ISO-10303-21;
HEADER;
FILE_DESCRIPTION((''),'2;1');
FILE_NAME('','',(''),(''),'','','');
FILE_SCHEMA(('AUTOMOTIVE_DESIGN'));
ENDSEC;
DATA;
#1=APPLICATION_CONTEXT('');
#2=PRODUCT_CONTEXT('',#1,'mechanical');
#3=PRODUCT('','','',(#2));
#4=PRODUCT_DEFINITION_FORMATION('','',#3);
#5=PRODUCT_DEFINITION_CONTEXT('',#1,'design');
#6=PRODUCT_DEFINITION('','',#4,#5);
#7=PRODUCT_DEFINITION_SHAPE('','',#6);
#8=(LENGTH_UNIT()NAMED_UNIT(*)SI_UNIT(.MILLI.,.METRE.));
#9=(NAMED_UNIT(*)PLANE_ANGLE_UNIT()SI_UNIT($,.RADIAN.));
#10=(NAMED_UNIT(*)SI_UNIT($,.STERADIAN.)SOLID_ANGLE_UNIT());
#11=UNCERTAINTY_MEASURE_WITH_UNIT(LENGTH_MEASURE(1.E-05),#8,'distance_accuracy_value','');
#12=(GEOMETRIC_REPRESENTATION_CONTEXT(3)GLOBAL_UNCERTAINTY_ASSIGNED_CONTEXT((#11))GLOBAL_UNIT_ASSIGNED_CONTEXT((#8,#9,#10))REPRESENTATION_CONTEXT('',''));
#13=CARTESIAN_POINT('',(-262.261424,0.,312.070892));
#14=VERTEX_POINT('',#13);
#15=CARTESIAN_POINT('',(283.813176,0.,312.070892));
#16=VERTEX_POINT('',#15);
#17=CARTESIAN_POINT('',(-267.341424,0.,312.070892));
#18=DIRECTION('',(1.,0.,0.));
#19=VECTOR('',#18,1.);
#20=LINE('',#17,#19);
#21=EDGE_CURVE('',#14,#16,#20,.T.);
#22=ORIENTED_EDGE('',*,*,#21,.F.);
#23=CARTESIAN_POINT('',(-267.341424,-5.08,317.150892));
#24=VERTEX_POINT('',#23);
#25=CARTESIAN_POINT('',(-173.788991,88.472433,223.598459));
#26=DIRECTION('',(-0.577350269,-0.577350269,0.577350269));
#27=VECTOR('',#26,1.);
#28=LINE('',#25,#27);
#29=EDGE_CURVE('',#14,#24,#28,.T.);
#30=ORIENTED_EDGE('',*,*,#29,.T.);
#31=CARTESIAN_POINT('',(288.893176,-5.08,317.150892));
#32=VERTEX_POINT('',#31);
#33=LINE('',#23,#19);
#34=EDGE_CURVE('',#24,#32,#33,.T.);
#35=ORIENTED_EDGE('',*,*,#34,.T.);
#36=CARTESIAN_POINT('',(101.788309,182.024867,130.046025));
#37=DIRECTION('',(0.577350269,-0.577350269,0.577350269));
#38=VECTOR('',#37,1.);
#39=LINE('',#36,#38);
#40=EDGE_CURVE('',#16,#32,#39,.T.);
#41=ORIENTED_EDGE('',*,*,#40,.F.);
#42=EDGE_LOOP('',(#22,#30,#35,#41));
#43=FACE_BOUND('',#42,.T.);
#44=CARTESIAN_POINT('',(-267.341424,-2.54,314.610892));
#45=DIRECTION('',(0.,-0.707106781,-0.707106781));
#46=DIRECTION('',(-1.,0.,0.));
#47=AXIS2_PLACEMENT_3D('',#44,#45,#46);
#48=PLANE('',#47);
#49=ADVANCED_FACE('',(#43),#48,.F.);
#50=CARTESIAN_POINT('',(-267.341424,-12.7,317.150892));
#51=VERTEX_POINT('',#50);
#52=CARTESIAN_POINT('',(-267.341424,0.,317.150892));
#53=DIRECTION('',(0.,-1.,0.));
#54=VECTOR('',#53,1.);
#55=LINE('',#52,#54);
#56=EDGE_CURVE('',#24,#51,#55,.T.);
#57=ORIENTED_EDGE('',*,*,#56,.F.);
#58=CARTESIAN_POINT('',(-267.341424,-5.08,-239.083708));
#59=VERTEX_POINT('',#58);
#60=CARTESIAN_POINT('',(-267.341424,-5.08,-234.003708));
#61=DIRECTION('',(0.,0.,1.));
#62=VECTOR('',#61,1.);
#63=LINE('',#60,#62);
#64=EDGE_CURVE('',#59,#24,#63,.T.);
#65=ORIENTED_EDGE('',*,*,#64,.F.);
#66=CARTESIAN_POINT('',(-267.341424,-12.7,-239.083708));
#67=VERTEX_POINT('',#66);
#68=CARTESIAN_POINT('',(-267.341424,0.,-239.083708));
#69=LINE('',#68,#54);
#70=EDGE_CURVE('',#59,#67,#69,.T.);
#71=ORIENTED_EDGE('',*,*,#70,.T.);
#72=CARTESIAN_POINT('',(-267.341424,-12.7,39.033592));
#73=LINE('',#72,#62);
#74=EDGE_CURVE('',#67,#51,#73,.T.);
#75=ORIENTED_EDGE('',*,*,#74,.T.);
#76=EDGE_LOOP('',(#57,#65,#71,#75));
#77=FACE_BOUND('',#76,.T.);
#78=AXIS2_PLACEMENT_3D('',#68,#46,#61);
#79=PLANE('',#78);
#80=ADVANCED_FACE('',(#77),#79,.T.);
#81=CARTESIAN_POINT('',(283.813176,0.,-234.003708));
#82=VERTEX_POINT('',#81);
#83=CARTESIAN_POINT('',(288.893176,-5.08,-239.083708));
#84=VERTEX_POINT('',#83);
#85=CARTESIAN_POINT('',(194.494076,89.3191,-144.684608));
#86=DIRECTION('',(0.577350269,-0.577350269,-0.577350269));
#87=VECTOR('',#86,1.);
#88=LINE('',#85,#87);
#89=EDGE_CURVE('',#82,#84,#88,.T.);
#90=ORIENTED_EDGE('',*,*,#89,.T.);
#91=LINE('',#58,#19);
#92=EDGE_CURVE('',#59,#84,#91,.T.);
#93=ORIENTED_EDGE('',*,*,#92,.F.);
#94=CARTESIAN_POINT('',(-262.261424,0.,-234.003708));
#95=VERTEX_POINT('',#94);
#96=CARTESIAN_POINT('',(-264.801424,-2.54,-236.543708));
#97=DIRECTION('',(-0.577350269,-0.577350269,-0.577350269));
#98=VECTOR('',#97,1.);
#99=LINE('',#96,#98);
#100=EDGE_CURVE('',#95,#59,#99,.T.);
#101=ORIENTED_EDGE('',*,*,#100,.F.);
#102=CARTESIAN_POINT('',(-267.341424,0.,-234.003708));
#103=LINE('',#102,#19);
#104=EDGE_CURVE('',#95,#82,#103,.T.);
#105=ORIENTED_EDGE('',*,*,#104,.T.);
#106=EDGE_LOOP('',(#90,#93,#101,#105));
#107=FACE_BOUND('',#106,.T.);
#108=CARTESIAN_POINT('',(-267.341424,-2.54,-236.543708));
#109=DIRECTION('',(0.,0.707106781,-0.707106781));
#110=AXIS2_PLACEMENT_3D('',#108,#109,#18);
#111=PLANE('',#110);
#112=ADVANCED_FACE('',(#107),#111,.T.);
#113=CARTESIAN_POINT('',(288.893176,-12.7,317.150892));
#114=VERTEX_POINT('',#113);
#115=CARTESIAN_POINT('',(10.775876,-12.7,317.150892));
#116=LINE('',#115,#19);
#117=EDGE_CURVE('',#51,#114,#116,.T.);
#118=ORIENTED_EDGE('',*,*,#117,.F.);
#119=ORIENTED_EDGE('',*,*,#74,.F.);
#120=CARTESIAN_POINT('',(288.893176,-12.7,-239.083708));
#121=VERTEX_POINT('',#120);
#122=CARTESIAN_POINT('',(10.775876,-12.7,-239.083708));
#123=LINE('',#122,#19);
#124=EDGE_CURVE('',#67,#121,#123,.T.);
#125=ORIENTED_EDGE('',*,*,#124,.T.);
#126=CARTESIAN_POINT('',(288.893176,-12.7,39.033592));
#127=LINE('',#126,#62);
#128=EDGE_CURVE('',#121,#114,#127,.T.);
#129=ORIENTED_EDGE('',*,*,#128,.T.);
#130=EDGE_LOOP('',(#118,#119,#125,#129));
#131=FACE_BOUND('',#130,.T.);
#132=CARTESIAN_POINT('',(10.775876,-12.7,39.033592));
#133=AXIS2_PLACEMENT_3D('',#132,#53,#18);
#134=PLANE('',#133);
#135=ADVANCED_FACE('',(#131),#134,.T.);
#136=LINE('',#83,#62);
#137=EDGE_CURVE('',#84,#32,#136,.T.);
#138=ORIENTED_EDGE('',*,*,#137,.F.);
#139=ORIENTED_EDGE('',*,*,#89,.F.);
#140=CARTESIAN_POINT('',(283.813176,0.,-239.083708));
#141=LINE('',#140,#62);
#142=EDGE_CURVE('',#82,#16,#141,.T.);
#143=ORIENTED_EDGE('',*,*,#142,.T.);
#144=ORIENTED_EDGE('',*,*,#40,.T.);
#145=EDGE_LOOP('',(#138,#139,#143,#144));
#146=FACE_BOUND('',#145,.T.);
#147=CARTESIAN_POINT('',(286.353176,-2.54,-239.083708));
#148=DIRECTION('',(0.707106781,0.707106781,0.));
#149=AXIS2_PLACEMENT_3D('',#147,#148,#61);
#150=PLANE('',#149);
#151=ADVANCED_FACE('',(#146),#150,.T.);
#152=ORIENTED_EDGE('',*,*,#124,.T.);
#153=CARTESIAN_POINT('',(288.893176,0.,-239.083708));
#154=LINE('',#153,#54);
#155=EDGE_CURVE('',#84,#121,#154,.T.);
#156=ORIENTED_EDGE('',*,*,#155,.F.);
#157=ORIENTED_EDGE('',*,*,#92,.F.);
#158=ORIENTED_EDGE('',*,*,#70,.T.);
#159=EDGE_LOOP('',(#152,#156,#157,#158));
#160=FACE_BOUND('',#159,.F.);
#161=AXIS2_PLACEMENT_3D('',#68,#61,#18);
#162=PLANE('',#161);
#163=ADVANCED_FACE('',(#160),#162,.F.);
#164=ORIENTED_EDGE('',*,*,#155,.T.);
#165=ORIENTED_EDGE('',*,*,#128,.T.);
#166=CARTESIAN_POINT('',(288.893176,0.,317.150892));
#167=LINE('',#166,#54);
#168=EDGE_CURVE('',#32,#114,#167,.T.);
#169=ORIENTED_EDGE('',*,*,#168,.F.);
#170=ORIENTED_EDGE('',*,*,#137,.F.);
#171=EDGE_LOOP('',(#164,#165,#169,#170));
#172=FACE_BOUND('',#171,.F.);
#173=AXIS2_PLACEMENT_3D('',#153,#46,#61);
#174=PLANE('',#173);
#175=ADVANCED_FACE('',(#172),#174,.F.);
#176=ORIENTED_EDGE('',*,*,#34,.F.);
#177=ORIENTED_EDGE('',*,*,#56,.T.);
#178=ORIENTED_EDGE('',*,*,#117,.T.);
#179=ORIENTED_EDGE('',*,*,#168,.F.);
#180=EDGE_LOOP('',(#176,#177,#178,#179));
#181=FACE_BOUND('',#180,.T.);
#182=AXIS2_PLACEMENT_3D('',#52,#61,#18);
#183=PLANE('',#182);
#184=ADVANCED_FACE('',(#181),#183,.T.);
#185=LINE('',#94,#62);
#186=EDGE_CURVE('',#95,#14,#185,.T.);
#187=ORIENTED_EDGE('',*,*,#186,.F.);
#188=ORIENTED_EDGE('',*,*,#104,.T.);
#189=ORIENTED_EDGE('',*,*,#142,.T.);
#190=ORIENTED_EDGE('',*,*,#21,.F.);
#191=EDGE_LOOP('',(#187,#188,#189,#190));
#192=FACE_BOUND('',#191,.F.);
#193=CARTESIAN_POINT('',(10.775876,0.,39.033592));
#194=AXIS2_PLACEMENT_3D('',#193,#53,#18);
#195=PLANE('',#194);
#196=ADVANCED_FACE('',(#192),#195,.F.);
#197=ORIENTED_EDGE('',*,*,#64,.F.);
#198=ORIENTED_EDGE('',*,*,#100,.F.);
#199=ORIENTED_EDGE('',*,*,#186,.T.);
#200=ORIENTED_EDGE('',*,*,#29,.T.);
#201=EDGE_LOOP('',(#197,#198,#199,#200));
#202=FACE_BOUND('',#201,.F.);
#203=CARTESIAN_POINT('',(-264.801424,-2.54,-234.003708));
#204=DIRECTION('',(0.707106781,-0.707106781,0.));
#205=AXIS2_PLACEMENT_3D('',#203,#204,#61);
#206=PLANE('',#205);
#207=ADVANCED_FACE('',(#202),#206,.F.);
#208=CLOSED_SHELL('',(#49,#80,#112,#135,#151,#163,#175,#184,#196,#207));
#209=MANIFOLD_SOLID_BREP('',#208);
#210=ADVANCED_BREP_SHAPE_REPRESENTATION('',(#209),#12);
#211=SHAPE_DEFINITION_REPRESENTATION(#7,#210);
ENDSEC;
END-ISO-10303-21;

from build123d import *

# Parameters (mm, degrees)
F0_W     = 556.2346
F0_H     = 556.2346
F1_DEPTH = 12.7
F2_SIZE  = 5.08
F3_SIZE  = 5.08
F4_SIZE  = 5.08
F5_SIZE  = 5.08


with BuildPart() as f1:
    # F0 (on Front) → F1 (new body)
    with BuildSketch(Plane.XZ):
        with Locations((10.775876, 39.033592)):
            Rectangle(F0_W, F0_H)
    extrude(amount=F1_DEPTH)

    # F2
    f2_edges = [f1.edges().sort_by_distance(p)[0] for p in [
        (10.775876, 0, 317.150892),
    ]]
    chamfer(f2_edges, length=F2_SIZE)

    # F3
    f3_edges = [f1.edges().sort_by_distance(p)[0] for p in [
        (288.893176, 0, 36.493592),
    ]]
    chamfer(f3_edges, length=F3_SIZE)

    # F4
    f4_edges = [f1.edges().sort_by_distance(p)[0] for p in [
        (8.235876, 0, -239.083708),
    ]]
    chamfer(f4_edges, length=F4_SIZE)

    # F5
    f5_edges = [f1.edges().sort_by_distance(p)[0] for p in [
        (-267.341424, 0, 39.033592),
    ]]
    chamfer(f5_edges, length=F5_SIZE)


solid = f1.part
